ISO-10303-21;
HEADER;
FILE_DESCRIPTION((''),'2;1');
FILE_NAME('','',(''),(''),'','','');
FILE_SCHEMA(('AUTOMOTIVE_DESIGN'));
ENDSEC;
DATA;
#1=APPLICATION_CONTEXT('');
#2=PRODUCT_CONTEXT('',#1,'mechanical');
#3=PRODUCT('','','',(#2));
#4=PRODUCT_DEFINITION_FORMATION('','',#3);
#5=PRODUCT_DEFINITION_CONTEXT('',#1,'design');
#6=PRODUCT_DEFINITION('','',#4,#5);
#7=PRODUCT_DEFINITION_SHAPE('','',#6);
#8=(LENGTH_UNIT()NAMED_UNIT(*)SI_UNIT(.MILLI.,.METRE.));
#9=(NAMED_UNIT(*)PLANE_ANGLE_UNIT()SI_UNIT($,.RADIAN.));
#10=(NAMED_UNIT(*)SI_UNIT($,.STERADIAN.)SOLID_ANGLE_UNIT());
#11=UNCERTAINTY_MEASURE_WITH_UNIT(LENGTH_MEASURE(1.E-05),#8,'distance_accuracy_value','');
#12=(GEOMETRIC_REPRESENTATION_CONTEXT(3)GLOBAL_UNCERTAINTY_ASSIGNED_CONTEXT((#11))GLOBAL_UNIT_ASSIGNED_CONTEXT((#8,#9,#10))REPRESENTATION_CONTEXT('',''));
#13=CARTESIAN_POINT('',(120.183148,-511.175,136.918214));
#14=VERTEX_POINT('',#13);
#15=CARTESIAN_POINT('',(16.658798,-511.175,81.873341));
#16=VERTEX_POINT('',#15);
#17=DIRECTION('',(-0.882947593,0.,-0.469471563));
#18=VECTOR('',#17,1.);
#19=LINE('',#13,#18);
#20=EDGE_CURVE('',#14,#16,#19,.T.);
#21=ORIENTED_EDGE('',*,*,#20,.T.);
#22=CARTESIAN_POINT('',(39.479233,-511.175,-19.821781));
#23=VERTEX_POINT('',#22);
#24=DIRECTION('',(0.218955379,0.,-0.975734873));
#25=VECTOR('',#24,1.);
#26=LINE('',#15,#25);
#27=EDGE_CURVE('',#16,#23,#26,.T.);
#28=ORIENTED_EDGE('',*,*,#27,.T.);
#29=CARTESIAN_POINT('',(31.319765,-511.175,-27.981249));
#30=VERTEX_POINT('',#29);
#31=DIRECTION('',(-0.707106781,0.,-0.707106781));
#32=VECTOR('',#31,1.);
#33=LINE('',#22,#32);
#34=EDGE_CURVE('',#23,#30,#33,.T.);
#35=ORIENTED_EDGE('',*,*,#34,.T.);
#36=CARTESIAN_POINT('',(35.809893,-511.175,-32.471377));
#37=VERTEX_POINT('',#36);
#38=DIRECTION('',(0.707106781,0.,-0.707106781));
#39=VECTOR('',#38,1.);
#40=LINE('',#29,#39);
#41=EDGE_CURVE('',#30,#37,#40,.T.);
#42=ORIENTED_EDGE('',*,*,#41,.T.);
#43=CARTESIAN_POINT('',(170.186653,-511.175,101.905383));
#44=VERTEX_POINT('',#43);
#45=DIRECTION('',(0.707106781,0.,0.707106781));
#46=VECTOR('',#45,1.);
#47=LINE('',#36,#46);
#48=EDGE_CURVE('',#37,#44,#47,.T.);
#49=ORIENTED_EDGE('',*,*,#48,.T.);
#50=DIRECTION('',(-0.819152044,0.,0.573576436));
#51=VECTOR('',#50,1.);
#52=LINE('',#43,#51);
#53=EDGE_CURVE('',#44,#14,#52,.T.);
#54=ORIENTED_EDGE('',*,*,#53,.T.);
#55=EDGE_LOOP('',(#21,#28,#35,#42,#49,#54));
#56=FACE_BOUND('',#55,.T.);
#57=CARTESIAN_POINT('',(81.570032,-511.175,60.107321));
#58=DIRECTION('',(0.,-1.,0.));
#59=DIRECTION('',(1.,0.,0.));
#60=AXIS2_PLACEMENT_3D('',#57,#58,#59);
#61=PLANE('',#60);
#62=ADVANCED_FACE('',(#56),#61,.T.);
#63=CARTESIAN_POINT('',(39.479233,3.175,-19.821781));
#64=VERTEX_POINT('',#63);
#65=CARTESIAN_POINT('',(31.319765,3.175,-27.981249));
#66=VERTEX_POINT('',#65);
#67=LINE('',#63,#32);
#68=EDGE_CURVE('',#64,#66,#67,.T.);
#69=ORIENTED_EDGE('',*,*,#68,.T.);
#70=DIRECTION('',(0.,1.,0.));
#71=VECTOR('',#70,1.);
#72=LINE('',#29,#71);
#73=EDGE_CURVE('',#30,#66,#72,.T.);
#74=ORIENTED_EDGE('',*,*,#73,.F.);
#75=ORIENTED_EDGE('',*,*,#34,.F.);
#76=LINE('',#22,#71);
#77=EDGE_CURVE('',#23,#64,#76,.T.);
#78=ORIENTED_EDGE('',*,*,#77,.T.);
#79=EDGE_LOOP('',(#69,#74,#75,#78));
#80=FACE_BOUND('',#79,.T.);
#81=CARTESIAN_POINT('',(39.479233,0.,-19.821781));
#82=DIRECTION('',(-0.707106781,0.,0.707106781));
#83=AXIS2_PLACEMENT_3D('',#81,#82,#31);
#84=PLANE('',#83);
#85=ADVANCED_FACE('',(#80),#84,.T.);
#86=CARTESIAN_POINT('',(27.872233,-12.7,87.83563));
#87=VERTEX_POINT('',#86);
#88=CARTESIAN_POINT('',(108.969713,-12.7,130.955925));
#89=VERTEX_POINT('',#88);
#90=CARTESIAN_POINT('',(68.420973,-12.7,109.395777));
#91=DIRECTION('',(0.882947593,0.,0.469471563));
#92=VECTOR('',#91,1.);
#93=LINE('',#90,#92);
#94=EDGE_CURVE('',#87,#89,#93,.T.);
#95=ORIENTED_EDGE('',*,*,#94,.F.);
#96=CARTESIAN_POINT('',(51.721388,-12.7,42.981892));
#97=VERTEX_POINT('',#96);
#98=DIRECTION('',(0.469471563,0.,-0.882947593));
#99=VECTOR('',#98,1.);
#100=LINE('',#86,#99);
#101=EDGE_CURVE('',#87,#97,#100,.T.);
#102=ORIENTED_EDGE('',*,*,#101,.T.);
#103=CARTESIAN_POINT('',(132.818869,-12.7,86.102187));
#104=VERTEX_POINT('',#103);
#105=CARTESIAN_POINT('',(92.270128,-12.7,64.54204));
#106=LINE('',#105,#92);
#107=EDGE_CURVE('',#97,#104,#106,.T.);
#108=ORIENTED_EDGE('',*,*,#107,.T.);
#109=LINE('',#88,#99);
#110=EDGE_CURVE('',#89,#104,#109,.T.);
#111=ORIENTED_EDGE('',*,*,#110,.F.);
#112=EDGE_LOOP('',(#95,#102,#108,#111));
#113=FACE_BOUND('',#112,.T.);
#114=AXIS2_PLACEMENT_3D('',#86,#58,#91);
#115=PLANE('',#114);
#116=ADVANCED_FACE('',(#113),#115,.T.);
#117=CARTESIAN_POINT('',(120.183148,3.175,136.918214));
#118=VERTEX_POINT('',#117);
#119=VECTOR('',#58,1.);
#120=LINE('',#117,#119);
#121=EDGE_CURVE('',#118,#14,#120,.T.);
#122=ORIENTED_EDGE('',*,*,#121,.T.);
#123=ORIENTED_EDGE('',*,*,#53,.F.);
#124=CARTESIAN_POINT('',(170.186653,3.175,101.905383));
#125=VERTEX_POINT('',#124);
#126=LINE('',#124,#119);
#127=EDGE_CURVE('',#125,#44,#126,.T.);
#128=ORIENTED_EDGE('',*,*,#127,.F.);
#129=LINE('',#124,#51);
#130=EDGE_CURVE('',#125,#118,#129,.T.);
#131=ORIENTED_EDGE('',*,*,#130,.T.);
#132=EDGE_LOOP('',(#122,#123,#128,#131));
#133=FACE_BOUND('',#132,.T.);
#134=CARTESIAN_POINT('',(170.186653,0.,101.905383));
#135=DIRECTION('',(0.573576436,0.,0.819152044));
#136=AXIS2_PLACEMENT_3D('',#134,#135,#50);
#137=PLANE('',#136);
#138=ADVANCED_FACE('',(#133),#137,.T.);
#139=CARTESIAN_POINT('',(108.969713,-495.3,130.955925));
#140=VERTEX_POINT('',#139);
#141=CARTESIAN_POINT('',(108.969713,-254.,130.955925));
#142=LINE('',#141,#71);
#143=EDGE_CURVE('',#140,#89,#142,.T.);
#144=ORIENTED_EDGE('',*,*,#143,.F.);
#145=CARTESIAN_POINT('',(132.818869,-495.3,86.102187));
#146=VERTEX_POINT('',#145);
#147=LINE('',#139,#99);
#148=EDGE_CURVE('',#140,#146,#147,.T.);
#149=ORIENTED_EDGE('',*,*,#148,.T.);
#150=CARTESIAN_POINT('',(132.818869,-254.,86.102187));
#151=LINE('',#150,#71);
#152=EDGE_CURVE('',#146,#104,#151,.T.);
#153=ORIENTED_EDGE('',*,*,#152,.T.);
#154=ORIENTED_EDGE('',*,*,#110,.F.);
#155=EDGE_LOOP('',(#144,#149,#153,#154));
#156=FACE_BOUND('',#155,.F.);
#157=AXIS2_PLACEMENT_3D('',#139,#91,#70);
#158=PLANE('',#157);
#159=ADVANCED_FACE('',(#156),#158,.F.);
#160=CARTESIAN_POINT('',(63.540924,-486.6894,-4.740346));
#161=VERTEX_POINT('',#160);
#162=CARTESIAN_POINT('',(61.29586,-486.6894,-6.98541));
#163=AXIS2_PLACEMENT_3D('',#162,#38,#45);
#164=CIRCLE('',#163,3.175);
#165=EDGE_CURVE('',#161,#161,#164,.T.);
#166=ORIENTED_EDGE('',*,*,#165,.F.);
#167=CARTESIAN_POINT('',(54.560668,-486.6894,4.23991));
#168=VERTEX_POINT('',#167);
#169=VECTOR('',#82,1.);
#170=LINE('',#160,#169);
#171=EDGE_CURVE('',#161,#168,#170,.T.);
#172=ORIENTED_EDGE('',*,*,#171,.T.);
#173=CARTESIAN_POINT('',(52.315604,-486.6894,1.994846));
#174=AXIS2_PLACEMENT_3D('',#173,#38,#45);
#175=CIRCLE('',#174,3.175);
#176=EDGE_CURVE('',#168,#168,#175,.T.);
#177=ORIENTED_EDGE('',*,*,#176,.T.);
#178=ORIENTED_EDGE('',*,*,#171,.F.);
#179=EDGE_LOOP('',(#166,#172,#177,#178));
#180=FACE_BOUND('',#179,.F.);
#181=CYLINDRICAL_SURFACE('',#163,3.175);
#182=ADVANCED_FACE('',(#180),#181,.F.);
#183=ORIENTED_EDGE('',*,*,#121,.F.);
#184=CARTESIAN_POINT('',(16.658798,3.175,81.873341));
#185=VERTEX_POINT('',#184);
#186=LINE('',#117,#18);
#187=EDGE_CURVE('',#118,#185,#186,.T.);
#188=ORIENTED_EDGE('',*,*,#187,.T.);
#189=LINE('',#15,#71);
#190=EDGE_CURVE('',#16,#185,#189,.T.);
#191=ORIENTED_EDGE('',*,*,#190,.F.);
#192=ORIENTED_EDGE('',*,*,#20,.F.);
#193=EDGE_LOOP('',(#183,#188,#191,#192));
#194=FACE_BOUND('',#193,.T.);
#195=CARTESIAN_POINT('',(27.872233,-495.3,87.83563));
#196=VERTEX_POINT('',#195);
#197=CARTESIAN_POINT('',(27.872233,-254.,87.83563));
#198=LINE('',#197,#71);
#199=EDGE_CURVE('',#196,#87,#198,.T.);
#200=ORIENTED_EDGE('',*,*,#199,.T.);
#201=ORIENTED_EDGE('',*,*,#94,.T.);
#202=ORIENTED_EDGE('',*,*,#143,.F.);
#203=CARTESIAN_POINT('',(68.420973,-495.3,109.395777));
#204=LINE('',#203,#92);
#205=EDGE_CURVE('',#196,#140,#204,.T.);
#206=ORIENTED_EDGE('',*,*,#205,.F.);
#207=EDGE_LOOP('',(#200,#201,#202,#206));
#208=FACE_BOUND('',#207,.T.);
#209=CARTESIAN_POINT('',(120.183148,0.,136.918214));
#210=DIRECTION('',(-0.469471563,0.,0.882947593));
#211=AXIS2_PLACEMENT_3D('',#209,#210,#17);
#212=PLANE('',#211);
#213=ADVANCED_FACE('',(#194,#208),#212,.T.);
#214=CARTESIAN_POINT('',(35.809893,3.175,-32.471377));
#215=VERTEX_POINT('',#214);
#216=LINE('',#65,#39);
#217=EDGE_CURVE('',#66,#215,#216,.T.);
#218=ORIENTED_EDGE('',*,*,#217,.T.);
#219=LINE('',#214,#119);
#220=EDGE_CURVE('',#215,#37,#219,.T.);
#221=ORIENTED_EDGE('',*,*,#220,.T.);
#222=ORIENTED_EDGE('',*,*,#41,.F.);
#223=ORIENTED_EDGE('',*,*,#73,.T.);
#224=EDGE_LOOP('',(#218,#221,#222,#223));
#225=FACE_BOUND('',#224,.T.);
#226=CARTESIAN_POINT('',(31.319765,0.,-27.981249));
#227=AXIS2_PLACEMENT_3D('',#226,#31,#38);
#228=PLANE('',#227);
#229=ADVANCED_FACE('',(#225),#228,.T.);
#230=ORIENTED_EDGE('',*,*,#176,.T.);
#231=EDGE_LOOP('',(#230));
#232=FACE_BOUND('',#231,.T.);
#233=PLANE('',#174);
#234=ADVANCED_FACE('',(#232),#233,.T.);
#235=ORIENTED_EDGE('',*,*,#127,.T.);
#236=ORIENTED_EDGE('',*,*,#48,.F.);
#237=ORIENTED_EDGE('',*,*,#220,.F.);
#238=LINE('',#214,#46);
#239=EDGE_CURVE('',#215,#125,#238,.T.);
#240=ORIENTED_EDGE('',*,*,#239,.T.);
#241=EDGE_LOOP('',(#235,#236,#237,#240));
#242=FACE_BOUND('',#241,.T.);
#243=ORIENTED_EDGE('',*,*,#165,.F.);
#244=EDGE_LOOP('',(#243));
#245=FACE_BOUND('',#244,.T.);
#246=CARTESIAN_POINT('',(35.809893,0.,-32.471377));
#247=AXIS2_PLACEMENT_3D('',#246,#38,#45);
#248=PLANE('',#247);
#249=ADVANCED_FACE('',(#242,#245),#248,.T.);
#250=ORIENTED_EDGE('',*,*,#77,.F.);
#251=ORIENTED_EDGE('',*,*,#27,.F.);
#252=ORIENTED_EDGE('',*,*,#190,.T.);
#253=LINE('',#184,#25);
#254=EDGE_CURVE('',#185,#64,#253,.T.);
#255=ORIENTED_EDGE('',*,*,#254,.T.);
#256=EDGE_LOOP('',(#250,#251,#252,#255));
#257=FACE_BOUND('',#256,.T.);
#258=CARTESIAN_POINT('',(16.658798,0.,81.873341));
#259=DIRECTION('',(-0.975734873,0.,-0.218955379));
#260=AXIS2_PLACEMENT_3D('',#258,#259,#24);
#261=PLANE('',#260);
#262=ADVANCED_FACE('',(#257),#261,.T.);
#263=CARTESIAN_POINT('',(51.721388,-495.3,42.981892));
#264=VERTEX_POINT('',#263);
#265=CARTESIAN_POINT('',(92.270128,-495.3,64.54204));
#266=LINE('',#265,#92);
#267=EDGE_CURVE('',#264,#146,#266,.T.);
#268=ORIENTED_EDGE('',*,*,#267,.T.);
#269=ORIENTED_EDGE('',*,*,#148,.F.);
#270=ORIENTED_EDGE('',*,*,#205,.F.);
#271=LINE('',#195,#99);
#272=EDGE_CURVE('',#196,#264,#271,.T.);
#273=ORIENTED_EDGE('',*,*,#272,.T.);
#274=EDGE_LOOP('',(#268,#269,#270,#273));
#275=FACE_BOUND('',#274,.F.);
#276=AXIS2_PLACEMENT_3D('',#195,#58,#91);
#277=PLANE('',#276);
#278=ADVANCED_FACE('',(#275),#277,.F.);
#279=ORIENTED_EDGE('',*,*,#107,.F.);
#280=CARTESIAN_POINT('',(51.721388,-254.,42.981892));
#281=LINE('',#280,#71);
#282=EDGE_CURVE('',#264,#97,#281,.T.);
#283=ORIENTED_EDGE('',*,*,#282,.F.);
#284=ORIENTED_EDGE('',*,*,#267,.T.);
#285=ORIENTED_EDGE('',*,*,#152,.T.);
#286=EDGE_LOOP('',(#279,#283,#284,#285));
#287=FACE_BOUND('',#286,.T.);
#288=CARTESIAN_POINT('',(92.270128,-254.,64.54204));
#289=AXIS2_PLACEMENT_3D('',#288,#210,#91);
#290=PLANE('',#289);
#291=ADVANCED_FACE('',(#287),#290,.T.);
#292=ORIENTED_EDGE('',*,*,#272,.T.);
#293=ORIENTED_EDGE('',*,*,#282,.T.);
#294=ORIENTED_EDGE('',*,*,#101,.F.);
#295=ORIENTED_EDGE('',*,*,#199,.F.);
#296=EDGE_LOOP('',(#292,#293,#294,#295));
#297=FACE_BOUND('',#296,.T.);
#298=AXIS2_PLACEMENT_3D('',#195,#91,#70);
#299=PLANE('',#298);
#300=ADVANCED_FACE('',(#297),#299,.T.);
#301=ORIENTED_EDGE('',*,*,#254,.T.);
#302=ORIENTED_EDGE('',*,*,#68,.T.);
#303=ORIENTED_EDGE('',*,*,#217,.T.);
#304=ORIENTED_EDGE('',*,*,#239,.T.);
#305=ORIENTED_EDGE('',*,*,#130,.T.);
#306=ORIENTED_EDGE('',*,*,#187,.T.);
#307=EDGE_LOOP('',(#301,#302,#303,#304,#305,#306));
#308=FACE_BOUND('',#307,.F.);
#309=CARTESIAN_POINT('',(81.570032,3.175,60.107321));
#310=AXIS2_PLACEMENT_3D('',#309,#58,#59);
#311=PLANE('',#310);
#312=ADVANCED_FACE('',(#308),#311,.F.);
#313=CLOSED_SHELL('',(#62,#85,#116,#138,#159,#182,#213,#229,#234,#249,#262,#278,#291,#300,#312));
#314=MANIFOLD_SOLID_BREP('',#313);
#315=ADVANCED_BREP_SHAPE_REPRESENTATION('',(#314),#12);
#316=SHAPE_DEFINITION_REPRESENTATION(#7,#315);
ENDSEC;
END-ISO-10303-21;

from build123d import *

# Parameters (mm, degrees)
F1_DEPTH = 508
F3_W     = 91.848578011
F3_H     = 482.6
F4_DEPTH = 50.8
F2_R     = 3.175
F5_DEPTH = 12.7
F6_DEPTH = 3.175
F7_DEPTH = 3.175


with BuildPart() as f1:
    # F0 (on Front) → F1 (new body)
    with BuildSketch(Plane.XZ):
        Polygon((31.3197647862, -27.9812486264), (35.8098928468, -32.4713766869), (170.1866526071, 101.9053830735), (120.1831479018, 136.9182140051), (16.6587981808, 81.8733408519), (39.4792327577, -19.8217806548), align=None)
    extrude(amount=F1_DEPTH)

    # F3 (on face) → F4 (cut)
    with BuildSketch(Plane(origin=(-30.2663796495, 0, 56.9227812171), x_dir=(0.8829475929, 0, 0.4694715628), z_dir=(-0.4694715628, 0, 0.8829475929))):
        with Locations((111.7703400394, -254)):
            Rectangle(F3_W, F3_H)
    extrude(amount=-F4_DEPTH, mode=Mode.SUBTRACT)

    # F2 (on face) → F5 (cut)
    with BuildSketch(Plane(origin=(34.1406347668, 0, -34.1406347668), x_dir=(0.7071067812, 0, 0.7071067812), z_dir=(0.7071067812, 0, -0.7071067812))):
        with Locations((38.4032874157, 486.6894)):
            Circle(F2_R)
    extrude(amount=-F5_DEPTH, mode=Mode.SUBTRACT)

    # F6 (add): a face of the model
    f6_faces = [f1.faces().sort_by_distance(p)[0] for p in [
        (82.8731770795, -508, 66.5046152241),
    ]]
    extrude(f6_faces, amount=F6_DEPTH)

    # F7 (add): a face of the model
    f7_faces = [f1.faces().sort_by_distance(p)[0] for p in [
        (82.8731770795, 0, 66.5046152241),
    ]]
    extrude(f7_faces, amount=F7_DEPTH)


solid = f1.part
